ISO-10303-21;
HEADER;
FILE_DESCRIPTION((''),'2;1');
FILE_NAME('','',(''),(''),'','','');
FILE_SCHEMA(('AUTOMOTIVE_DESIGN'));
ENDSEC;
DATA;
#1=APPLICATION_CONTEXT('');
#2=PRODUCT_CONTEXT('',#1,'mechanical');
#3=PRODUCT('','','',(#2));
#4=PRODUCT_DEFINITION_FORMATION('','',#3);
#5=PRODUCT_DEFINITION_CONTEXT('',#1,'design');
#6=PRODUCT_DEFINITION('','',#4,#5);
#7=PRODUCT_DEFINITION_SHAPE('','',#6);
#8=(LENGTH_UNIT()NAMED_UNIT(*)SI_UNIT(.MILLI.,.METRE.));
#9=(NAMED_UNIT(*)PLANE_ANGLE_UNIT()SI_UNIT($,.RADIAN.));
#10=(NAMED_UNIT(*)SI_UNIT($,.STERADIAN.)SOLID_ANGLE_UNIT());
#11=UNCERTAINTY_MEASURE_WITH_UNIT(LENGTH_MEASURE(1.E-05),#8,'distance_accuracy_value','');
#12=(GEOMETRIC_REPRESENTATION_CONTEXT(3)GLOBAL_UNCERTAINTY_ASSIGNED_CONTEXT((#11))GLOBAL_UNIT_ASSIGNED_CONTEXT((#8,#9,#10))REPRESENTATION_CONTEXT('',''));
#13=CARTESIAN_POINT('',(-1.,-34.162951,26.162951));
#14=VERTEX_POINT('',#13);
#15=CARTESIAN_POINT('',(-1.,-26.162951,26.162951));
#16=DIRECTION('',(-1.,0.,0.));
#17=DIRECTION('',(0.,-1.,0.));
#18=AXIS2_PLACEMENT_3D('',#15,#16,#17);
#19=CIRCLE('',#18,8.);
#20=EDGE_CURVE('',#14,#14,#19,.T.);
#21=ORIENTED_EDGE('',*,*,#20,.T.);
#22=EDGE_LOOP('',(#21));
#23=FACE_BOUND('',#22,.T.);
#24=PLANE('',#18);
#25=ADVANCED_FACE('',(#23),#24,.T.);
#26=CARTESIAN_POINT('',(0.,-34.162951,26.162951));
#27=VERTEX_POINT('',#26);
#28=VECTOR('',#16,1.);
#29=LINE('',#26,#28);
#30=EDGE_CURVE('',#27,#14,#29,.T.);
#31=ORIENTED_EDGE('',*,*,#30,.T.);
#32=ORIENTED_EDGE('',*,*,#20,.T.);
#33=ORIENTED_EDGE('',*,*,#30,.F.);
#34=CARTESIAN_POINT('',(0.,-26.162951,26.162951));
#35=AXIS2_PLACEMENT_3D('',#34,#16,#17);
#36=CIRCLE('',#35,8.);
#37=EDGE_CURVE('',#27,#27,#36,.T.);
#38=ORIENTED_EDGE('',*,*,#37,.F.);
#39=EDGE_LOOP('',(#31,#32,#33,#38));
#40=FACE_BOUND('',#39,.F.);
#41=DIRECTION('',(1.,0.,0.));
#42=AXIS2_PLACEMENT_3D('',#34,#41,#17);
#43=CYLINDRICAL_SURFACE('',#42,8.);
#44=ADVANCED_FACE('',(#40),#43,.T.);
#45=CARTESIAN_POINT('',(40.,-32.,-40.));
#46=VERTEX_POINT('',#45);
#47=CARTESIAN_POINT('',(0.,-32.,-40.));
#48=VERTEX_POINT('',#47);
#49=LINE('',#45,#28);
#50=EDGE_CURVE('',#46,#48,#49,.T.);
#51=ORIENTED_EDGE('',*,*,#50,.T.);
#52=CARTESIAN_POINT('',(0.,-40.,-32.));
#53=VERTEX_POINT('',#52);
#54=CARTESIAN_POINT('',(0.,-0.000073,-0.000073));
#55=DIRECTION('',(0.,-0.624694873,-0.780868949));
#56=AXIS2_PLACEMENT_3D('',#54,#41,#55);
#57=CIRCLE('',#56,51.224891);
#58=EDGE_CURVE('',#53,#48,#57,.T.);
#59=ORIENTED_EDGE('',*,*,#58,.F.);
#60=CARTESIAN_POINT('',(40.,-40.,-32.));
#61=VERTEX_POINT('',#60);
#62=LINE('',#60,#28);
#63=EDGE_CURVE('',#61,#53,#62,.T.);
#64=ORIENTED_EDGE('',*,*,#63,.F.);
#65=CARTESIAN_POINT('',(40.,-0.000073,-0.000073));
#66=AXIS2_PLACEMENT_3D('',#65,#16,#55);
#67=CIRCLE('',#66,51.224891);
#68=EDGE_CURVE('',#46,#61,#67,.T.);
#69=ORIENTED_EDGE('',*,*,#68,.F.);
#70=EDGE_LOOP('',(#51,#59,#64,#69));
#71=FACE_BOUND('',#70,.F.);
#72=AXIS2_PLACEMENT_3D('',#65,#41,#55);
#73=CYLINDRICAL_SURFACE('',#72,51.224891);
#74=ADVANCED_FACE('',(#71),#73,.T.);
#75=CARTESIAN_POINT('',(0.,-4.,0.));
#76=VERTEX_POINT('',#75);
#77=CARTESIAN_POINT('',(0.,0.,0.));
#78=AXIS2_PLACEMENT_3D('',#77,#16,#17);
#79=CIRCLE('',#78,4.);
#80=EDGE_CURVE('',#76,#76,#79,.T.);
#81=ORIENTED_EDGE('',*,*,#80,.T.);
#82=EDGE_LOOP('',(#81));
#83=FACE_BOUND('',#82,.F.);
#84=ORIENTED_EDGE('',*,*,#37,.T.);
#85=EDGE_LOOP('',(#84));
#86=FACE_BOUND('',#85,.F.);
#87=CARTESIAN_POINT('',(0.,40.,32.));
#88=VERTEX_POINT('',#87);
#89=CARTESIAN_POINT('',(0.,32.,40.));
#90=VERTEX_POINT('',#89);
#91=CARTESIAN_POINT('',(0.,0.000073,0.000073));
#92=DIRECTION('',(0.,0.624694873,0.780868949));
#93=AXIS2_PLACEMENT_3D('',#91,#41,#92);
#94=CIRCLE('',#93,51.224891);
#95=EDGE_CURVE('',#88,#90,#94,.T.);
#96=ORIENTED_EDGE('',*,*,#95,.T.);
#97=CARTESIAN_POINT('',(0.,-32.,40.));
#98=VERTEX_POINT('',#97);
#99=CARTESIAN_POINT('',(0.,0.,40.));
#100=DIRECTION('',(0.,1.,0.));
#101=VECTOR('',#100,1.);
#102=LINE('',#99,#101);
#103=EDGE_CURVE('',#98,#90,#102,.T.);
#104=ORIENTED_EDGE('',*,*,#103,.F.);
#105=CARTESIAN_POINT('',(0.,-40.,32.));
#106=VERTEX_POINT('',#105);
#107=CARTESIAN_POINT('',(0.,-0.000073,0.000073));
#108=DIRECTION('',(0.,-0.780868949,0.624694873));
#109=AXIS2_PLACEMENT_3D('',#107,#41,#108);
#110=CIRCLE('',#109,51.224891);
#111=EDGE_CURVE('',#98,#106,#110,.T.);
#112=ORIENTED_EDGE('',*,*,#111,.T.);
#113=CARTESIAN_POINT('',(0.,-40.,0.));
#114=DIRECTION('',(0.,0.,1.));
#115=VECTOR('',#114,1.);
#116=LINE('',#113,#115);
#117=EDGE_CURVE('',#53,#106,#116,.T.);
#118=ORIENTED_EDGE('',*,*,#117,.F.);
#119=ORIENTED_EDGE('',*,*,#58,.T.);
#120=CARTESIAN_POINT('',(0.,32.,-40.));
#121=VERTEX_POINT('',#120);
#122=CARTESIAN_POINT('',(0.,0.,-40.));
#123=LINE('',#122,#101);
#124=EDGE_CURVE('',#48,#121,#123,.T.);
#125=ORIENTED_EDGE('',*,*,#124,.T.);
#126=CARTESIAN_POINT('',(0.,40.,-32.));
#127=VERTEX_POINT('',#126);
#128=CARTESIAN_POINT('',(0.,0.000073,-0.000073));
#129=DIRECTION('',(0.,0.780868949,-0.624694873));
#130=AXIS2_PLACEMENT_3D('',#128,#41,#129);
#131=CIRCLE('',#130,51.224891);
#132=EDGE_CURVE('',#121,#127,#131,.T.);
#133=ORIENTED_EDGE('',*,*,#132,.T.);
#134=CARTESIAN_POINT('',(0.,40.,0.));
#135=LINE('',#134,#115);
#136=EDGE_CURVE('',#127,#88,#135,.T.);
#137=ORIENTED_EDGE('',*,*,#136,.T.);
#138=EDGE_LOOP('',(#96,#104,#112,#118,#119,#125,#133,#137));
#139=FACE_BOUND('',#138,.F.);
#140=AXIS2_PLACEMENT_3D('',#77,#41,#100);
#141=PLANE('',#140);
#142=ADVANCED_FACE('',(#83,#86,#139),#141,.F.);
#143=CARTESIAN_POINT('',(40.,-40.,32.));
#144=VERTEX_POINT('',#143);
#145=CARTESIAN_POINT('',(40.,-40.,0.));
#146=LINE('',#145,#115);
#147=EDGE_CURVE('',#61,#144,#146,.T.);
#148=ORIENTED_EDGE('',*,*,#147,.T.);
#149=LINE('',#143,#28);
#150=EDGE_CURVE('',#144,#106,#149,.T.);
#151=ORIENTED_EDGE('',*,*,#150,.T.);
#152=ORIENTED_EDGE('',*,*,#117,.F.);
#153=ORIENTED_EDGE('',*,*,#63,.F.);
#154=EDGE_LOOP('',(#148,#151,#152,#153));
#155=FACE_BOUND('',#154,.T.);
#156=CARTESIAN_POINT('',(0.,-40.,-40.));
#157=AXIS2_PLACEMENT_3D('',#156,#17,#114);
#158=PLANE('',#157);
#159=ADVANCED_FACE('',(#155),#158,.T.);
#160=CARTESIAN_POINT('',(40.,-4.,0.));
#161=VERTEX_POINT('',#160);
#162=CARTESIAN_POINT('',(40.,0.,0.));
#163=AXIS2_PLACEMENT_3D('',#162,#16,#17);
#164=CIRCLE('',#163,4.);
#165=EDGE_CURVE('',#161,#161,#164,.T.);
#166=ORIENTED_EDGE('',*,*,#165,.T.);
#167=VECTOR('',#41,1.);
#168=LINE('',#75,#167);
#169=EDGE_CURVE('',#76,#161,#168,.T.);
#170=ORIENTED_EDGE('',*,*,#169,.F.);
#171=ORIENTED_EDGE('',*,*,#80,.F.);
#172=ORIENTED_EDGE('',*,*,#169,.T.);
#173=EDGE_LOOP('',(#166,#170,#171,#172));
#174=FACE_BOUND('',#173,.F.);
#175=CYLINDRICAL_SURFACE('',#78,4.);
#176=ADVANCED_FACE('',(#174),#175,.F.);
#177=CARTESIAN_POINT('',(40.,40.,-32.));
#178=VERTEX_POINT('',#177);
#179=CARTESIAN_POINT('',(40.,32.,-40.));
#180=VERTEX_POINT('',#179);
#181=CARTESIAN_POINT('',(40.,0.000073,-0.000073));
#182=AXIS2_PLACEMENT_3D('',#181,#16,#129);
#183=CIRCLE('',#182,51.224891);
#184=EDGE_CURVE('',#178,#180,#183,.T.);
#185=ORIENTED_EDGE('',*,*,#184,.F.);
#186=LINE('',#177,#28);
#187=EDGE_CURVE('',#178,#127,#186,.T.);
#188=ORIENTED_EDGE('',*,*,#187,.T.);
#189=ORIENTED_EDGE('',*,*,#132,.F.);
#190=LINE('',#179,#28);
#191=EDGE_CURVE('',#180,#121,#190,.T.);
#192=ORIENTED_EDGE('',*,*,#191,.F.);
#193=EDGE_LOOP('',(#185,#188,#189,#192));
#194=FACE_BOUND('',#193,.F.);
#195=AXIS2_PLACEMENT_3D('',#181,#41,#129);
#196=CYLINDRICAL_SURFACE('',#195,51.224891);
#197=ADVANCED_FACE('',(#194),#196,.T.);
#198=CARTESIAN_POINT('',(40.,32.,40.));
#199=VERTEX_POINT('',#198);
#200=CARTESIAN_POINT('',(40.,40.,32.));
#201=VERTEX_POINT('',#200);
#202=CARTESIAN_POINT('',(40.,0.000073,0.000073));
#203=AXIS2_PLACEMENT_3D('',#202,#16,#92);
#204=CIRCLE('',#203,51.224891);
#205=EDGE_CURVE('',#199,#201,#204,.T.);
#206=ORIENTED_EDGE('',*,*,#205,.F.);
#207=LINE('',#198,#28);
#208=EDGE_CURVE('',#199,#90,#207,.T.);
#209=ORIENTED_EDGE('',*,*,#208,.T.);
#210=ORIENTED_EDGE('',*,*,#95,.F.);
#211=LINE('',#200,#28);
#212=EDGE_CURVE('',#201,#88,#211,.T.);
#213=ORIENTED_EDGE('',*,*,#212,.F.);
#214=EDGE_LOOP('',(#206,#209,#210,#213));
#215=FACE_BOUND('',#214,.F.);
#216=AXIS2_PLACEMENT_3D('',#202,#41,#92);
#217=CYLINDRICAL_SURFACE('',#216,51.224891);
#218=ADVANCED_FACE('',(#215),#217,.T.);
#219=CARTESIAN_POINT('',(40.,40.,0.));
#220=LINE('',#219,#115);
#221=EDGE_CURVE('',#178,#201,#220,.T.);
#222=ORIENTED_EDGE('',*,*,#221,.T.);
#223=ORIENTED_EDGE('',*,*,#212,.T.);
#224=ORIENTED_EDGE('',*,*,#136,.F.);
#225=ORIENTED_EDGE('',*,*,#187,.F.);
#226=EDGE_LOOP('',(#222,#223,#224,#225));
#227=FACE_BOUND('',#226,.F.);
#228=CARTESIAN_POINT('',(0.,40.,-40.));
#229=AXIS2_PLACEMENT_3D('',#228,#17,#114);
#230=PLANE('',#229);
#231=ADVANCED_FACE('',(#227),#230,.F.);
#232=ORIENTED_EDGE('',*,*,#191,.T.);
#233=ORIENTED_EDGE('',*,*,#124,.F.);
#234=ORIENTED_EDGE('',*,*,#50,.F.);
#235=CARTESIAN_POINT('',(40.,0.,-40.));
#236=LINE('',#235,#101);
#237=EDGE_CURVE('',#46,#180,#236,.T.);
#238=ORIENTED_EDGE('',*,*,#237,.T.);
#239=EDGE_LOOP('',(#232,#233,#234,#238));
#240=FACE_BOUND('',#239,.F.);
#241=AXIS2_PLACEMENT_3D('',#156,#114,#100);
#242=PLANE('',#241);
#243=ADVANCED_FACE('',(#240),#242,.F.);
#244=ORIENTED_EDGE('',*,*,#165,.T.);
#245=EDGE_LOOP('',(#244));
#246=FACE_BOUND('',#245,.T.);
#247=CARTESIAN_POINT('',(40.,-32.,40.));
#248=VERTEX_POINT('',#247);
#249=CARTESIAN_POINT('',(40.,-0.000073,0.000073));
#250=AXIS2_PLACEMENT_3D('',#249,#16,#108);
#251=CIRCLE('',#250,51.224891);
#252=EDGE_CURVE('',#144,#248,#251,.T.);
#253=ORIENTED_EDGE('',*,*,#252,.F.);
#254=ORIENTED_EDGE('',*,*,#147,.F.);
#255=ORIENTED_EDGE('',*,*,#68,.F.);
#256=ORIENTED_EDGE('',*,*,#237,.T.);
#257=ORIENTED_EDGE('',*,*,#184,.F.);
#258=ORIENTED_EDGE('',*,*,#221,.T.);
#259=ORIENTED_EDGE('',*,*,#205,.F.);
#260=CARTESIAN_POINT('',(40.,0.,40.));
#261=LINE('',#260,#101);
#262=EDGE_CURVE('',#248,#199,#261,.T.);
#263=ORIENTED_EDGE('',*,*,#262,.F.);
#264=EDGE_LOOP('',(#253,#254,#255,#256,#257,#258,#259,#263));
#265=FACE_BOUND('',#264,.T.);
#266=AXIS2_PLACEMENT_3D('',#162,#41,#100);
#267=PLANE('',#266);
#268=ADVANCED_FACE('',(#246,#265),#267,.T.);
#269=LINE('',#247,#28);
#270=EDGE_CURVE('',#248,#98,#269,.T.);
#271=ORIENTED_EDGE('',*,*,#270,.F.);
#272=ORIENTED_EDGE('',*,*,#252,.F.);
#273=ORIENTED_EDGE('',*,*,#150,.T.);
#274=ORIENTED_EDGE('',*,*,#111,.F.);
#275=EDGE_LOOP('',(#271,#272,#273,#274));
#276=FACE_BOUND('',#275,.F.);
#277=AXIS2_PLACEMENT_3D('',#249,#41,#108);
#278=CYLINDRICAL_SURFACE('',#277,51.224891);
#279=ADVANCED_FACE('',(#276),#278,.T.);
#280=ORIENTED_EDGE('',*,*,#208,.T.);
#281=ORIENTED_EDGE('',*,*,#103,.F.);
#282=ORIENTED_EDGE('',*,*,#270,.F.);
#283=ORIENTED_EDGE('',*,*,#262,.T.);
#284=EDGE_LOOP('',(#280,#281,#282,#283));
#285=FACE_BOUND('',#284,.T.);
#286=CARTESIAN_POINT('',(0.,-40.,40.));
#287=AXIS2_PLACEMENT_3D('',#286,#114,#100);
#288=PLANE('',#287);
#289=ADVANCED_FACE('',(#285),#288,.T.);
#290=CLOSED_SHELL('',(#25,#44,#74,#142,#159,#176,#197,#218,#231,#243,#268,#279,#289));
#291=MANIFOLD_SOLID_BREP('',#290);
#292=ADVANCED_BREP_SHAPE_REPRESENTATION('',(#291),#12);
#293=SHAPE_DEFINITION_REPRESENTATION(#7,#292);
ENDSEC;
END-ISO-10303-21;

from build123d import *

# Parameters (mm, degrees)
F0_W     = 80
F0_H     = 80
F1_DEPTH = 40
F3_DEPTH = 40.001
F4_R     = 4
F5_DEPTH = 40.001
F6_R     = 8
F7_DEPTH = 1


with BuildPart() as f1:
    # F0 (on Right) → F1 (new body)
    with BuildSketch(Plane.YZ):
        Rectangle(F0_W, F0_H)
    extrude(amount=F1_DEPTH)

    # F2 (on face) → F3 (cut, through all)
    with BuildSketch(Plane.YZ.offset(40)):
        with BuildLine():
            ThreePointArc((-40, 32), (-36.221541, 36.221541), (-32, 40))
            Line((-32, 40), (-40, 40))
            Line((-40, 40), (-40, 32))
        make_face()
        with BuildLine():
            ThreePointArc((-32, -40), (-36.221541, -36.221541), (-40, -32))
            Line((-40, -32), (-40, -40))
            Line((-40, -40), (-32, -40))
        make_face()
        with BuildLine():
            ThreePointArc((40, -32), (36.221541, -36.221541), (32, -40))
            Line((32, -40), (40, -40))
            Line((40, -40), (40, -32))
        make_face()
        with BuildLine():
            ThreePointArc((32, 40), (36.221541, 36.221541), (40, 32))
            Line((40, 32), (40, 40))
            Line((40, 40), (32, 40))
        make_face()
    extrude(amount=-F3_DEPTH, mode=Mode.SUBTRACT)

    # F4 (on face) → F5 (cut, through all)
    with BuildSketch(Plane(origin=(0, 0, 0), x_dir=(0, -1, 0), z_dir=(-1, 0, 0))):
        Circle(F4_R)
    extrude(amount=-F5_DEPTH, mode=Mode.SUBTRACT)

    # F6 (on face) → F7 (join)
    with BuildSketch(Plane(origin=(0, 0, 0), x_dir=(0, -1, 0), z_dir=(-1, 0, 0))):
        with Locations((26.162951, 26.162951)):
            Circle(F6_R)
    extrude(amount=F7_DEPTH)


solid = f1.part
